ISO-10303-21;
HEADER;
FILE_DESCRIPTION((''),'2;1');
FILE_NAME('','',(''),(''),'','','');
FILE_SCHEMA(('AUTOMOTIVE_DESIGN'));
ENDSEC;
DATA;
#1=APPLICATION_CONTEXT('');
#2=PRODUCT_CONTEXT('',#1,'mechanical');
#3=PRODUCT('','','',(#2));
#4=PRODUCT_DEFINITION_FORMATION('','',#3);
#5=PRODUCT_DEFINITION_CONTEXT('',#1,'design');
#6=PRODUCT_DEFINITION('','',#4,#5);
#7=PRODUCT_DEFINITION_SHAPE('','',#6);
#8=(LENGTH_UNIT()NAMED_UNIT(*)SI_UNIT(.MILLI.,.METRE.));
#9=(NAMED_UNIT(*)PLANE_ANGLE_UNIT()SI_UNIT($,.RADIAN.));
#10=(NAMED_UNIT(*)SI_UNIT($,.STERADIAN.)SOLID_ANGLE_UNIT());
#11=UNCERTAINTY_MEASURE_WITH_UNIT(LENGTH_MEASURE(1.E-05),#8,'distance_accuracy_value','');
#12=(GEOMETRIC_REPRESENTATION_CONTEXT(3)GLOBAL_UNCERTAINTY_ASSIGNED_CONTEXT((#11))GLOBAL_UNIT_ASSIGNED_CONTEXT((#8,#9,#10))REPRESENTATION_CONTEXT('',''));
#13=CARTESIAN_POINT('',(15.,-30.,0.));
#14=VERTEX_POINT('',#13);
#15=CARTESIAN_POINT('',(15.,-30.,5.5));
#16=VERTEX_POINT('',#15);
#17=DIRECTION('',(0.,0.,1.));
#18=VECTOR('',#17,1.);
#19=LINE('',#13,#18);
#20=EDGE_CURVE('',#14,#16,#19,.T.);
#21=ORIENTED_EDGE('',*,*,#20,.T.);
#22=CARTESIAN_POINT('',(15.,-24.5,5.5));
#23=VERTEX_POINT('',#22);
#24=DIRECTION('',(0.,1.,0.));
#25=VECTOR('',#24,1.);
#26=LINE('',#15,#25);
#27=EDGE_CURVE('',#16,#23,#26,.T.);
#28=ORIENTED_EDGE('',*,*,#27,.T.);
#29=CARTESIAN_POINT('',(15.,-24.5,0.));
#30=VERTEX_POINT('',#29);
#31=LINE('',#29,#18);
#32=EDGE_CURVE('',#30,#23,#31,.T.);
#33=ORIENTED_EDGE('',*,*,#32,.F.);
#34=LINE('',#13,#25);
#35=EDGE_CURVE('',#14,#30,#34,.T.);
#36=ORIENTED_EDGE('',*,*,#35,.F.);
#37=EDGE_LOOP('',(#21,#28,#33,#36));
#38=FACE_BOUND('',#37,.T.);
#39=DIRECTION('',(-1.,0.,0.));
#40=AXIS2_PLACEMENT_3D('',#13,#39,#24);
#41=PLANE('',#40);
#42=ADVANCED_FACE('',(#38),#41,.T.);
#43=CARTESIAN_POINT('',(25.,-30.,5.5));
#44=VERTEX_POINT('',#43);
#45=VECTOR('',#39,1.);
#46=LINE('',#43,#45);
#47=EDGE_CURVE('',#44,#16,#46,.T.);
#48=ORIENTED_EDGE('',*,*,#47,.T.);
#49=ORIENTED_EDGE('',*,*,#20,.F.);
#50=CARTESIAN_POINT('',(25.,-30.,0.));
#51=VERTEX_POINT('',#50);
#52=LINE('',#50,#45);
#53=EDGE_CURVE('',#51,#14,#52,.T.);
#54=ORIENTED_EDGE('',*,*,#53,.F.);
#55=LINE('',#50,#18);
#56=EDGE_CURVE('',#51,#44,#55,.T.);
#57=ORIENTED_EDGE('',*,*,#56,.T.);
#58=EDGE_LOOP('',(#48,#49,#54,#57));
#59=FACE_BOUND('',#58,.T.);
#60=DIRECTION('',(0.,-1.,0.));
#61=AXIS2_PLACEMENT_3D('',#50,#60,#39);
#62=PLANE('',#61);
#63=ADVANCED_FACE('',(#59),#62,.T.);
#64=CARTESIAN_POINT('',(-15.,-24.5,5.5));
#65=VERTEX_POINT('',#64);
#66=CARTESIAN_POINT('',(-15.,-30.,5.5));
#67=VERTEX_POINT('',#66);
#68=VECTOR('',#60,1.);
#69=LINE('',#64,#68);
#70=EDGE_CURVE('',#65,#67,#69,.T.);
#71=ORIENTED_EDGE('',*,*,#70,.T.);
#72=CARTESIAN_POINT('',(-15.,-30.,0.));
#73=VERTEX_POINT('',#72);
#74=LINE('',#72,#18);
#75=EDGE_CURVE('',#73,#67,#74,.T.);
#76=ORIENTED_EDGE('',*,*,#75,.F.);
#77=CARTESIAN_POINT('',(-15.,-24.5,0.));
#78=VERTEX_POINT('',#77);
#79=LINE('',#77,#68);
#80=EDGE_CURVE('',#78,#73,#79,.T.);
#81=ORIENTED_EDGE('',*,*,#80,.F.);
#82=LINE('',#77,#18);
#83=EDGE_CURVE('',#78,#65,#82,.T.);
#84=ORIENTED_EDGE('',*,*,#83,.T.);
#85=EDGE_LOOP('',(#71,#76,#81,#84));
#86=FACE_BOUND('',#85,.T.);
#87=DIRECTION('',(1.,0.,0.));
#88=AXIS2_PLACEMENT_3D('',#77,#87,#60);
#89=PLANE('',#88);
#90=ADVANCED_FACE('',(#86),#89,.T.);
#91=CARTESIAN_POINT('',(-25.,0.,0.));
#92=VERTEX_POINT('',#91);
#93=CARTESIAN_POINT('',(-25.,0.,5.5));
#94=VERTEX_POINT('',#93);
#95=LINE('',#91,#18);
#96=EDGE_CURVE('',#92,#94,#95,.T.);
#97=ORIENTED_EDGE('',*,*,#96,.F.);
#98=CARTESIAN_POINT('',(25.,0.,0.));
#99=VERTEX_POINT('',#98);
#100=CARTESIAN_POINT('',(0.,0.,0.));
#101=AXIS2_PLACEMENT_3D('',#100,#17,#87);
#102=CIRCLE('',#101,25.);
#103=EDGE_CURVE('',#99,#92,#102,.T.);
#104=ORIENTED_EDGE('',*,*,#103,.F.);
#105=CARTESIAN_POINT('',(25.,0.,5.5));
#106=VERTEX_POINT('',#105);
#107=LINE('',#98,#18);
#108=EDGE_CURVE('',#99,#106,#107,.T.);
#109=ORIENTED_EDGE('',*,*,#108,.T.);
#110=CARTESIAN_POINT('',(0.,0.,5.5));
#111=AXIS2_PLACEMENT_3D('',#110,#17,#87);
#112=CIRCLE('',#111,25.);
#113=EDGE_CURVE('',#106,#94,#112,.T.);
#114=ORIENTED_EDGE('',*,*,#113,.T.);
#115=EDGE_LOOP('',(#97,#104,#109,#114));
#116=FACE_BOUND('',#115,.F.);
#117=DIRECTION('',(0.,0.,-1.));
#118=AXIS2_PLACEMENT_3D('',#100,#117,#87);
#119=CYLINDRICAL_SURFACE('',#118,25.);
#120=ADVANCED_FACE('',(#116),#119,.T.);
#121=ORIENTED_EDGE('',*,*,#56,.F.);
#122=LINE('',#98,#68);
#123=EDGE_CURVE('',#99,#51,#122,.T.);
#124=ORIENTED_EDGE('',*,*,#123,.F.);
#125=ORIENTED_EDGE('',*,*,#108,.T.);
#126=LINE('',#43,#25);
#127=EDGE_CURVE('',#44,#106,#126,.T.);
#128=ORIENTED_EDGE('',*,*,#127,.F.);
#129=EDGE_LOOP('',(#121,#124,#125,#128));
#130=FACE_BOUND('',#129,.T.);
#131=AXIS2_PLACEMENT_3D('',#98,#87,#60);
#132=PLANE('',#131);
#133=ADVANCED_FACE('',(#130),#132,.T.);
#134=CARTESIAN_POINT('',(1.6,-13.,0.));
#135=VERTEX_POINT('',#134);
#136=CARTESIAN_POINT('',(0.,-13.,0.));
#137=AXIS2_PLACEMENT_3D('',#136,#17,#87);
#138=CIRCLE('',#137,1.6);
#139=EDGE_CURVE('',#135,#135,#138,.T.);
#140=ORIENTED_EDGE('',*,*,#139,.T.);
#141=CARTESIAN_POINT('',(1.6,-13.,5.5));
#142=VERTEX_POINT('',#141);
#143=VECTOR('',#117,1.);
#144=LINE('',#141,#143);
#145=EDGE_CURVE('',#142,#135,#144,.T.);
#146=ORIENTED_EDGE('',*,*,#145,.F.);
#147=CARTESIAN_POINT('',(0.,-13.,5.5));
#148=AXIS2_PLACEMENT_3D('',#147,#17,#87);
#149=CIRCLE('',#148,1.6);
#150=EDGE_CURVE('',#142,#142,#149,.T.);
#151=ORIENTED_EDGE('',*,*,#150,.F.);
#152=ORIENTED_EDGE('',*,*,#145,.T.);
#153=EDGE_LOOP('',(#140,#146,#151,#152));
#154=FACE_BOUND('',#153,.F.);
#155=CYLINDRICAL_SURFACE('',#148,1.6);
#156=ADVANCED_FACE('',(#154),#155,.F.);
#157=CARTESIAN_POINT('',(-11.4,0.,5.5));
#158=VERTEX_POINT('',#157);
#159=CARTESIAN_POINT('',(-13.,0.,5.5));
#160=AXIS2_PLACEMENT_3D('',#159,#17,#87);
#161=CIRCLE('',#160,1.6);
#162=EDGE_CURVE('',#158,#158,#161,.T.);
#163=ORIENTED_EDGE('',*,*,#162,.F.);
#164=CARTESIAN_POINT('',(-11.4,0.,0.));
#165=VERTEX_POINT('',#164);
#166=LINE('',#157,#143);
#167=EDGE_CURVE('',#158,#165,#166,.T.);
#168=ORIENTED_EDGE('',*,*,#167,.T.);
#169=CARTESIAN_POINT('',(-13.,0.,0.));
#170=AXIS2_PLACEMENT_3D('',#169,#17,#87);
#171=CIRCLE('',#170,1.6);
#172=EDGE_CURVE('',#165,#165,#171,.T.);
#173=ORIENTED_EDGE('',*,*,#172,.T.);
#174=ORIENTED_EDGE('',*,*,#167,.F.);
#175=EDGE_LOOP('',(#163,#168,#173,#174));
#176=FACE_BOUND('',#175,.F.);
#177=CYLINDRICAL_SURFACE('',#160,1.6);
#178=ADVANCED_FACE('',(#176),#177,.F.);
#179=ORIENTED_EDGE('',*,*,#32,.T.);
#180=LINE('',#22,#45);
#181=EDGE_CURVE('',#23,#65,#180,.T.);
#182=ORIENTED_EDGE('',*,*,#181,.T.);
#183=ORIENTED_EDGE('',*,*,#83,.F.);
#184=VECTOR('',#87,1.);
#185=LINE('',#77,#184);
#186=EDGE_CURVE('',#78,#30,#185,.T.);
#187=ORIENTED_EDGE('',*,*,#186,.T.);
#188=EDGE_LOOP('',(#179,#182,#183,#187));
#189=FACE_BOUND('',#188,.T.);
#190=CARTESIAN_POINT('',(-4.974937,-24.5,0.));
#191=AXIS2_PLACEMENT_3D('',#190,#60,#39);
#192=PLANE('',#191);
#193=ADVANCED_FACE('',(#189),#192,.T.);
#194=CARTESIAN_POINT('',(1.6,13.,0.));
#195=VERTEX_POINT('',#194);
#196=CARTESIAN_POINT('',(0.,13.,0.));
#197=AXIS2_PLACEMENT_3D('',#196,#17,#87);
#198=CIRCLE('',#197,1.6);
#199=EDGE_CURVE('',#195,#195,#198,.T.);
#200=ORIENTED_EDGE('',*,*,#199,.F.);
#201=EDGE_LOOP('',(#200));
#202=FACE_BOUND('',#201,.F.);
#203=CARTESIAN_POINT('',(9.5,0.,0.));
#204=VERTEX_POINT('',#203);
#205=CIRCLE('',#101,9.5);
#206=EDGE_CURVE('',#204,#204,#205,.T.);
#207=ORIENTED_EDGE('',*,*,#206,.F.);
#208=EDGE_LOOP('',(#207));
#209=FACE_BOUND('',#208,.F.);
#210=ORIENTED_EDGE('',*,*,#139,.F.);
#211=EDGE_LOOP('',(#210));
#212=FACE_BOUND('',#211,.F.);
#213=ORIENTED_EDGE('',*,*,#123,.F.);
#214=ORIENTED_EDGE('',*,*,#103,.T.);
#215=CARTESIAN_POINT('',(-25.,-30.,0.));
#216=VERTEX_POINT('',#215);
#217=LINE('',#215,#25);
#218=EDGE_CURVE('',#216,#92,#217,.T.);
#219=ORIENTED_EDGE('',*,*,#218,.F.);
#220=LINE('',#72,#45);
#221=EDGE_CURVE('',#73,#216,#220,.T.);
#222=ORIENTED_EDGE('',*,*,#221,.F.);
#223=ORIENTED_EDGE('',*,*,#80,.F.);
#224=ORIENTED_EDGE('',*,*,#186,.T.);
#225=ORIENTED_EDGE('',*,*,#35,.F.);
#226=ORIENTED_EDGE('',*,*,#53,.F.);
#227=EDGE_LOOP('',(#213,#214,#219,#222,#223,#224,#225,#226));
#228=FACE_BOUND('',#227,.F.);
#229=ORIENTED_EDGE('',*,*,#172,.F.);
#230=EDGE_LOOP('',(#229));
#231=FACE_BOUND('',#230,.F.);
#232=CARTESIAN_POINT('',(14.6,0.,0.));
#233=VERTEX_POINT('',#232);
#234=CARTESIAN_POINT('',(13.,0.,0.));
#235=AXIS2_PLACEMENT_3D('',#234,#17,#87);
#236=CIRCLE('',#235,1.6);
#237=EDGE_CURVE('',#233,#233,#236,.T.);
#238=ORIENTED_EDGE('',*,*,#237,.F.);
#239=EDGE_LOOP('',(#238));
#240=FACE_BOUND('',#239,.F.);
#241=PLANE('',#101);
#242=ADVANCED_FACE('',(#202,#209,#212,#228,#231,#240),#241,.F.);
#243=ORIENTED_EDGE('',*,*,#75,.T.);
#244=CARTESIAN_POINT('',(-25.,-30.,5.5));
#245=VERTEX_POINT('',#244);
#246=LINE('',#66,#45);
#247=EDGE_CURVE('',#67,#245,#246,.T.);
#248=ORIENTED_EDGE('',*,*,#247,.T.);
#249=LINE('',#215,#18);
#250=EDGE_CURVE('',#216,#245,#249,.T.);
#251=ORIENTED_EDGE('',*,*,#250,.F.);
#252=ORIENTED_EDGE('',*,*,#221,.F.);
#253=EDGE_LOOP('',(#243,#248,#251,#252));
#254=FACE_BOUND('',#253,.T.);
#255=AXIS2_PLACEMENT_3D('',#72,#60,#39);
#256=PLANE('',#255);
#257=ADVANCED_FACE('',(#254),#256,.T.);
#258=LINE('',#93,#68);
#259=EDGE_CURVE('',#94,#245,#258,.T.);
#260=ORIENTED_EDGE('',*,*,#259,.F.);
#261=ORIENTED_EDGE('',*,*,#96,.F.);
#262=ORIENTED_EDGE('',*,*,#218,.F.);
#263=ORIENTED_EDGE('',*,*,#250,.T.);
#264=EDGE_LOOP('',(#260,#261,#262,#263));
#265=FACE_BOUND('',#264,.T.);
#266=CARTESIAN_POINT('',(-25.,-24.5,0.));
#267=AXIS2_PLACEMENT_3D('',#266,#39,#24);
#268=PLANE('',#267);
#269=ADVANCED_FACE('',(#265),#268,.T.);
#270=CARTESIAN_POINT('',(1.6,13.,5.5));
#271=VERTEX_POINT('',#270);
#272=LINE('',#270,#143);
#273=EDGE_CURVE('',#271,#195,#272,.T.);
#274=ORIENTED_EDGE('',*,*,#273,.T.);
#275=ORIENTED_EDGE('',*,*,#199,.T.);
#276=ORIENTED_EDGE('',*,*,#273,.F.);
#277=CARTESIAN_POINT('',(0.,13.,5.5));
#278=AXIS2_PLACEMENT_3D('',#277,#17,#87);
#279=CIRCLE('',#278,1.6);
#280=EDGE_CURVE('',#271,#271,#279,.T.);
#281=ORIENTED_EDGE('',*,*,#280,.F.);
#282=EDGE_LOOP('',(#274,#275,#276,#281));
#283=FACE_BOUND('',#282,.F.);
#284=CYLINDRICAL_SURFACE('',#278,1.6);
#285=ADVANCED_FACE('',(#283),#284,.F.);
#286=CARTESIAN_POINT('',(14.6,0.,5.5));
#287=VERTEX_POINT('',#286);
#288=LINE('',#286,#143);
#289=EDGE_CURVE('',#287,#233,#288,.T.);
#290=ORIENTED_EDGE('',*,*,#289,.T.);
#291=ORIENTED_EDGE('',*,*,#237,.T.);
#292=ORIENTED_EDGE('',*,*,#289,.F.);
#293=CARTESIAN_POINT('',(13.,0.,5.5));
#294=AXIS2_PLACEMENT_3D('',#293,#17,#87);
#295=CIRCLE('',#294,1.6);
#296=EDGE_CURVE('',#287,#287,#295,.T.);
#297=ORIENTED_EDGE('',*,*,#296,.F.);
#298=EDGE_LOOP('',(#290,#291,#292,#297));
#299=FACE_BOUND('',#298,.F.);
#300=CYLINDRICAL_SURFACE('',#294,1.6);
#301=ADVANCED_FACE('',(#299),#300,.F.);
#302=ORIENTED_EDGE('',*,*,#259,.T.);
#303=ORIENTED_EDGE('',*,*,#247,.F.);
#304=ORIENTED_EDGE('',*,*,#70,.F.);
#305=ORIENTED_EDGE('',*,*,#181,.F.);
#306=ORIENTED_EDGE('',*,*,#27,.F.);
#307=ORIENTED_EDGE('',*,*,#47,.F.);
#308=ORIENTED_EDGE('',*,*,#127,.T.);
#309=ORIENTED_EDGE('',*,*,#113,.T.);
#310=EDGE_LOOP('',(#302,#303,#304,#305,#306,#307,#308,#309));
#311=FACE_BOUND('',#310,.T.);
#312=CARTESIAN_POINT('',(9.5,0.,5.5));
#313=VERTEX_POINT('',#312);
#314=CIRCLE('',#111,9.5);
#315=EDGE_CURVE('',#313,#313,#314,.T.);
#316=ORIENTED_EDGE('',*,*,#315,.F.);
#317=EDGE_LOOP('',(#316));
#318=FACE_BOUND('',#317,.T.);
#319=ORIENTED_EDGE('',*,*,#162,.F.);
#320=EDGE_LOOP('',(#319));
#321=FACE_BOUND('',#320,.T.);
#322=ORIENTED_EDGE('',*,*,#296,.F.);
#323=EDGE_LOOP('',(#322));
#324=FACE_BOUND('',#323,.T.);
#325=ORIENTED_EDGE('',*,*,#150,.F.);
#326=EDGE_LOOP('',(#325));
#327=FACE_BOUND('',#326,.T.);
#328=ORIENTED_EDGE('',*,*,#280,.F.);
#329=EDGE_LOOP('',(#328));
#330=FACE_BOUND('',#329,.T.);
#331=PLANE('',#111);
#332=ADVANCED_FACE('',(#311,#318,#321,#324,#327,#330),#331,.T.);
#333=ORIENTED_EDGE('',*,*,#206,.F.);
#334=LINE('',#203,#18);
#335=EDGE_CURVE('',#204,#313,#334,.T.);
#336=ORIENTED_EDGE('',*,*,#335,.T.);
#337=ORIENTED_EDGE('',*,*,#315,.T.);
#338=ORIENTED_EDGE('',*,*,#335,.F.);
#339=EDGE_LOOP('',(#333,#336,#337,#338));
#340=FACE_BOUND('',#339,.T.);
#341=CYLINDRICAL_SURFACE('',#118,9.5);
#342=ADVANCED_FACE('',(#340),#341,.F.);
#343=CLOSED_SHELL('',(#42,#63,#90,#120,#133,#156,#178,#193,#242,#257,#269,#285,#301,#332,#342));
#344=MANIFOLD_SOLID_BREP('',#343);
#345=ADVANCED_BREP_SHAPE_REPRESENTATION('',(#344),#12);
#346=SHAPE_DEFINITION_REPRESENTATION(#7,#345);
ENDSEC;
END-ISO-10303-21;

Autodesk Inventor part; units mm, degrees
ref_plane "YZ Plane" through (0, 0, 0) normal (1, 0, 0) x (0, 1, 0)
ref_plane "XZ Plane" through (0, 0, 0) normal (0, 1, 0) x (-1, 0, 0)
ref_plane "XY Plane" through (0, 0, 0) normal (0, 0, 1) x (1, 0, 0)
sketch "スケッチ1" plane through (0, 0, 0) normal (0, 0, 1) x (1, 0, 0)
  circle A0 centre (0, 0) radius 9.5
  line L0 (-25, 30.5) -> (25, 30.5)
  line L1 (25, 30.5) -> (25, -24.5)
  line L2 (25, -24.5) -> (-25, -24.5)
  line L3 (-25, -24.5) -> (-25, 30.5)
  line L4 (-25, -24.5) -> (-15, -24.5)
  line L5 (-15, -24.5) -> (-15, -30)
  line L6 (-15, -30) -> (-25, -30)
  line L7 (-25, -30) -> (-25, -24.5)
  line L8 (15, -24.5) -> (25, -24.5)
  line L9 (25, -24.5) -> (25, -30)
  line L10 (25, -30) -> (15, -30)
  line L11 (15, -30) -> (15, -24.5)
  circle A1 centre (0, 0) radius 25
  point P0 (0, 30.5)
  point P1 (-15, -24.5)
  point P2 (-25, 0)
  point P3 (25, 0)
  dimension "d0" = 19
  dimension "d1" = 24.5
  dimension "d2" = 50
  dimension "d3" = 55
  dimension "d6" = 5.5
  dimension "d7" = 10
extrude "押し出し1" add sketch "スケッチ1" along normal blind 5.5 contours A1 L2 L3 | A1 L2 | L1 L2 A1 | L2 L5 L6 L7 | L9 L10 L11 L2 picked at (0.3817, -19.4769)
sketch "スケッチ2" plane through (0, 0, 5.5) normal (0, 0, 1) x (1, 0, 0)
  circle A0 centre (-13, 0) radius 1.6 projected
  circle A1 centre (0, 13) radius 1.6 projected
  circle A2 centre (13, 0) radius 1.6 projected
  circle A3 centre (0, -13) radius 1.6 projected
  point P0 (0, 0)
extrude "押し出し2" cut sketch "スケッチ2" against normal through all
properties part number "motor_setter_fixer" material "木材 (カエデ材)"
